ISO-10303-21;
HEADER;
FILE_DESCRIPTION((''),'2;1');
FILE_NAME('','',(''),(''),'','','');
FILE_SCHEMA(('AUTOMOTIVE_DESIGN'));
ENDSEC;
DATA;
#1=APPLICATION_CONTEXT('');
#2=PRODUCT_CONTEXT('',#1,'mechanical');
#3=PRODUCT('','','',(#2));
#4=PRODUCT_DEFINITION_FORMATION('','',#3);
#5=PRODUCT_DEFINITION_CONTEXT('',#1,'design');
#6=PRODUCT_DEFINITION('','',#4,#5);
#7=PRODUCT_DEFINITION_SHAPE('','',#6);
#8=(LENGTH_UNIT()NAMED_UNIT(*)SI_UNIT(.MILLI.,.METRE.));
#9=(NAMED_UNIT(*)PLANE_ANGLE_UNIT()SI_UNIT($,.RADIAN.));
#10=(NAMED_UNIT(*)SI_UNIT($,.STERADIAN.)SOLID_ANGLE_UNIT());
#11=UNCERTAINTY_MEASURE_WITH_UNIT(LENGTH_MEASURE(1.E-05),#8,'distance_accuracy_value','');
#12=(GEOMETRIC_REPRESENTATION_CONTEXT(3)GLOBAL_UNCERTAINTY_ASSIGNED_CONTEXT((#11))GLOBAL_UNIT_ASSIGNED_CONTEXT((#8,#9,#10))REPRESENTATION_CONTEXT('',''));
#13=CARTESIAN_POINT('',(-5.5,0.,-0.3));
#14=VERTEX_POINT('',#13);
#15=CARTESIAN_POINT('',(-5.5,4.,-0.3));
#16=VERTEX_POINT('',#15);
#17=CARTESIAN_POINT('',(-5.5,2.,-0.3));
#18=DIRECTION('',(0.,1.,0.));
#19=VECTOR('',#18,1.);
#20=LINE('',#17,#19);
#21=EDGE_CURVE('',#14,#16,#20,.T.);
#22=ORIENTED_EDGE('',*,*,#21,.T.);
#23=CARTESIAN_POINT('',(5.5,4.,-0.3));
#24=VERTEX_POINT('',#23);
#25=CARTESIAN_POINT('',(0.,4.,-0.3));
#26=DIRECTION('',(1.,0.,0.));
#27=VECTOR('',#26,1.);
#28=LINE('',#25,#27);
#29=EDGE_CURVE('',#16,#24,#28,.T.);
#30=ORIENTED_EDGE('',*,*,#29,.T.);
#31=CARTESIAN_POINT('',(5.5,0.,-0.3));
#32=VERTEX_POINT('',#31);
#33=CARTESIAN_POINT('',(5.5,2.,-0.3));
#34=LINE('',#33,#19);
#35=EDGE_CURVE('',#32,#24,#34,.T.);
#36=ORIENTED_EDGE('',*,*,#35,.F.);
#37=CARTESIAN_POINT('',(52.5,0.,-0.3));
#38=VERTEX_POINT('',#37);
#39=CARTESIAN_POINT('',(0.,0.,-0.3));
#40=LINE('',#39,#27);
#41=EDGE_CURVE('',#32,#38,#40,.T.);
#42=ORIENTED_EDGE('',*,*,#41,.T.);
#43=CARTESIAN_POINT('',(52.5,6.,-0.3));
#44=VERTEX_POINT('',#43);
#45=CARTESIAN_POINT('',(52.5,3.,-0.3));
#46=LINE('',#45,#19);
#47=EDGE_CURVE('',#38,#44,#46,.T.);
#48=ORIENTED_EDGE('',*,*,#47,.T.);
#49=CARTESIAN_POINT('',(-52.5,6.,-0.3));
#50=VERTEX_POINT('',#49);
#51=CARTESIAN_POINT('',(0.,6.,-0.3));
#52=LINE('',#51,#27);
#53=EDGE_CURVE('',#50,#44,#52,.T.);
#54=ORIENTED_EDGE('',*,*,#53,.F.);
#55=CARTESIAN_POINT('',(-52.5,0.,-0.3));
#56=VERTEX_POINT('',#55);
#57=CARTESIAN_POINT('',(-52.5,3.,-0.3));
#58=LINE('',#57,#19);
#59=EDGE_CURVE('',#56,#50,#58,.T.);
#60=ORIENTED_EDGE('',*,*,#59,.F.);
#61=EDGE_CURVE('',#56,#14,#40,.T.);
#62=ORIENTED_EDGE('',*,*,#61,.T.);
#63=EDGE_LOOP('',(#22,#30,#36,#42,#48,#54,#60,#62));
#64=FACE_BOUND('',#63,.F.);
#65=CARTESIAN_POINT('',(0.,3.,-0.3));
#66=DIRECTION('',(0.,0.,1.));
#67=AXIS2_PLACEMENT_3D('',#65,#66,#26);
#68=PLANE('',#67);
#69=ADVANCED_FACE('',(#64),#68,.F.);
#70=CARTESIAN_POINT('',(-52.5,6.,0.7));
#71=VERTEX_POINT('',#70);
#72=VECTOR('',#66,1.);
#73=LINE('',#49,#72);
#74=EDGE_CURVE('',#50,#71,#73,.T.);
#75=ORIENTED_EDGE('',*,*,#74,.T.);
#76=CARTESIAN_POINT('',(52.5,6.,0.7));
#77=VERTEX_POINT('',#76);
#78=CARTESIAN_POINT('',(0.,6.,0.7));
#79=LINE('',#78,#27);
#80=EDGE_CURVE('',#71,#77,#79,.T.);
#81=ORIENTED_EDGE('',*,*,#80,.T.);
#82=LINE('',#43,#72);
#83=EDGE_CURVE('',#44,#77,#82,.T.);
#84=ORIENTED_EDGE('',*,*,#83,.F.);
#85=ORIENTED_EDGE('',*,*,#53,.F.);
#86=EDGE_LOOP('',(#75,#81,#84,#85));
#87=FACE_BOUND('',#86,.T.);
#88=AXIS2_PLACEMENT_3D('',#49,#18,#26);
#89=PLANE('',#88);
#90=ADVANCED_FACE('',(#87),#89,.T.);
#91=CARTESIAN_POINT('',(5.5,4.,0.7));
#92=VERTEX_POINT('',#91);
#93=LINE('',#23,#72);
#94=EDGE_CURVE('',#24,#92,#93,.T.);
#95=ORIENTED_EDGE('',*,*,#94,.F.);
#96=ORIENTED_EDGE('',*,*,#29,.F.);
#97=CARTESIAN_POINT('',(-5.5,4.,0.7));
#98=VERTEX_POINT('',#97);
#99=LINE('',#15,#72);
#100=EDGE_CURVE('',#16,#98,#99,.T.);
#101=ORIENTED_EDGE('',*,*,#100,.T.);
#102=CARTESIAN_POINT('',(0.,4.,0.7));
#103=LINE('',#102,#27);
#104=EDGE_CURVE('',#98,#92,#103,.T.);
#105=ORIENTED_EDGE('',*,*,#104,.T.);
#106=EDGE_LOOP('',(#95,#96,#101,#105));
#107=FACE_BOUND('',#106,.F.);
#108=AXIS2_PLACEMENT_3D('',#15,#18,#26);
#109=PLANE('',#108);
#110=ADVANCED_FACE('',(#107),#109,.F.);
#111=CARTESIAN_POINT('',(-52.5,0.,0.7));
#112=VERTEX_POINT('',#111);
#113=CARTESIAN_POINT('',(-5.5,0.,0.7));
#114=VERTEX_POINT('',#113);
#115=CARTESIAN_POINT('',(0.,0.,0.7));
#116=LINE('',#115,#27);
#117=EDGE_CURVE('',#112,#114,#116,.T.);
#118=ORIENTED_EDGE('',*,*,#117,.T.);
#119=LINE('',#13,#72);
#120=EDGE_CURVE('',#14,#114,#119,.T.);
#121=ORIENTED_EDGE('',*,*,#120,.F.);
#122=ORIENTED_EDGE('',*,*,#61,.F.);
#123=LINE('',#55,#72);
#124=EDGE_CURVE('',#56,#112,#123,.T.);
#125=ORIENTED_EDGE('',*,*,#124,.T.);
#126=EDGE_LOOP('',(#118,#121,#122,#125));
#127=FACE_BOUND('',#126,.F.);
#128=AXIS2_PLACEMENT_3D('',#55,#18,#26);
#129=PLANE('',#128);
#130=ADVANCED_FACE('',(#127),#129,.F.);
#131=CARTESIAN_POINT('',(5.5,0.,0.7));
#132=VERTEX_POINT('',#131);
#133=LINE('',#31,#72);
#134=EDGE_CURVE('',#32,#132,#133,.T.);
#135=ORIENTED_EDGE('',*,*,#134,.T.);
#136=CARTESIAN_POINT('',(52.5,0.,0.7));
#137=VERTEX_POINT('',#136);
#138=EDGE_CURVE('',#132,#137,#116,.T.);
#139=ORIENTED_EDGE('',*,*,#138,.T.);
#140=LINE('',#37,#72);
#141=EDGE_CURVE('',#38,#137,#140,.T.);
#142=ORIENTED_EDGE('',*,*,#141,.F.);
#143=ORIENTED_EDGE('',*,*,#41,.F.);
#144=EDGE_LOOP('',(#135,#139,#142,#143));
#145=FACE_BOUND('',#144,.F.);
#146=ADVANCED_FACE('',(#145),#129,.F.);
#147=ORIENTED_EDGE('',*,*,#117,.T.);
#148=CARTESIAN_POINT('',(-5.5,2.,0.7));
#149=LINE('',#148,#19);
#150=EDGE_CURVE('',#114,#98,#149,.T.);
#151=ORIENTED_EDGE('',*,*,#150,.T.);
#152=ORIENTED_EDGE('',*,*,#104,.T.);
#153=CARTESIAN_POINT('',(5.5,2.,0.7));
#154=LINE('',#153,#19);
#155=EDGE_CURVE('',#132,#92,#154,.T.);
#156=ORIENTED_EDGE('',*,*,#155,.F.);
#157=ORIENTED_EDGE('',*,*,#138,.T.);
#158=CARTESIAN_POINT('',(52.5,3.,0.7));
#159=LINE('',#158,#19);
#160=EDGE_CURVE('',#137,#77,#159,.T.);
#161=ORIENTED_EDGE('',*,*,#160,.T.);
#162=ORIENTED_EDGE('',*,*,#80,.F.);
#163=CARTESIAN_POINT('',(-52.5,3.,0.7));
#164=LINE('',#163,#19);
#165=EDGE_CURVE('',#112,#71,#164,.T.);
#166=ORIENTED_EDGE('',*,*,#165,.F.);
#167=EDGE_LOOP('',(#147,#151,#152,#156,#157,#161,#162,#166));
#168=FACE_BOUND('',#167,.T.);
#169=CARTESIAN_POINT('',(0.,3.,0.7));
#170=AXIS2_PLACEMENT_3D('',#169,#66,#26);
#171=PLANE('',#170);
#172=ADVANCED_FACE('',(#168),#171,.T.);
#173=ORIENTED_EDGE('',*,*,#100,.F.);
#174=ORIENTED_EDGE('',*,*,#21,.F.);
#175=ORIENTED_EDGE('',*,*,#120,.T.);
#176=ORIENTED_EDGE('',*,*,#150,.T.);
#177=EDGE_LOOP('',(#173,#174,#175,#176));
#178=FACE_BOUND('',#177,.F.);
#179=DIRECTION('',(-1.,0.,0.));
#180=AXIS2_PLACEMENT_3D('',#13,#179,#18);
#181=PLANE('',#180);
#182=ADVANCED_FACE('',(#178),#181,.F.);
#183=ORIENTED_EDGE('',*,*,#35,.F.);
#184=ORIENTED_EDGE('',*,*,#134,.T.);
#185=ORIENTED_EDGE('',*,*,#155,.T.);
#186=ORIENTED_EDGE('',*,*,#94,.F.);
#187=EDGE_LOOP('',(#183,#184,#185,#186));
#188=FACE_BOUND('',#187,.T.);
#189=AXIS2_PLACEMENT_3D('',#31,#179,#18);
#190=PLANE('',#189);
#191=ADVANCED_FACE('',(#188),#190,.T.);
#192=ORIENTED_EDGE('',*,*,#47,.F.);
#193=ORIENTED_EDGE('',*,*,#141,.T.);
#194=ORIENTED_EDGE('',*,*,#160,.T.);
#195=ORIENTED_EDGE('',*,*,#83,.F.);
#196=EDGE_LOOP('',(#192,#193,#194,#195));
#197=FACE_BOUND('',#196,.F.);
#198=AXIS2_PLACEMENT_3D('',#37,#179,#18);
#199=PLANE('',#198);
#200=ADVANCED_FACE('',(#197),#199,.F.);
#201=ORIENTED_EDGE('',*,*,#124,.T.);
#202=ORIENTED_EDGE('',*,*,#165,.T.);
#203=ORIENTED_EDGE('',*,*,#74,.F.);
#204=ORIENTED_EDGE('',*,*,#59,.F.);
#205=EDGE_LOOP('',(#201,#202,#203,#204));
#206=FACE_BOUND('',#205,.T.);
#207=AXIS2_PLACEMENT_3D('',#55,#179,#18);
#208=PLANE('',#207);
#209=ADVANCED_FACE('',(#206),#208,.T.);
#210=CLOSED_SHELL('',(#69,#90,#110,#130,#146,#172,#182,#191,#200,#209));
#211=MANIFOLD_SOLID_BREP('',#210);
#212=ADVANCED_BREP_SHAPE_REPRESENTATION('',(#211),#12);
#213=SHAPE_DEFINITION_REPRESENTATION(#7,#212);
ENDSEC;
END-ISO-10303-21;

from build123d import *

# Parameters (mm, degrees)
BOX002_W     = 11
BOX002_H     = 4
BOX002_DEPTH = 1
BOX001_W     = 105
BOX001_H     = 6
BOX001_DEPTH = 1


with BuildPart() as supportsubtract:
    # Box002 → Box002 (new body)
    with BuildSketch(Plane(origin=(-5.5, 0, -0.3), x_dir=(1, 0, 0), z_dir=(0, 0, 1))):
        with Locations((5.5, 2)):
            Rectangle(BOX002_W, BOX002_H)
    extrude(amount=BOX002_DEPTH)


with BuildPart() as support001:
    # Box001 → Box001 (new body)
    with BuildSketch(Plane(origin=(-52.5, 0, -0.3), x_dir=(1, 0, 0), z_dir=(0, 0, 1))):
        with Locations((52.5, 3)):
            Rectangle(BOX001_W, BOX001_H)
    extrude(amount=BOX001_DEPTH)

    # Cut: cut SupportSubtract
    add(supportsubtract.part, mode=Mode.SUBTRACT)


solid = support001.part
